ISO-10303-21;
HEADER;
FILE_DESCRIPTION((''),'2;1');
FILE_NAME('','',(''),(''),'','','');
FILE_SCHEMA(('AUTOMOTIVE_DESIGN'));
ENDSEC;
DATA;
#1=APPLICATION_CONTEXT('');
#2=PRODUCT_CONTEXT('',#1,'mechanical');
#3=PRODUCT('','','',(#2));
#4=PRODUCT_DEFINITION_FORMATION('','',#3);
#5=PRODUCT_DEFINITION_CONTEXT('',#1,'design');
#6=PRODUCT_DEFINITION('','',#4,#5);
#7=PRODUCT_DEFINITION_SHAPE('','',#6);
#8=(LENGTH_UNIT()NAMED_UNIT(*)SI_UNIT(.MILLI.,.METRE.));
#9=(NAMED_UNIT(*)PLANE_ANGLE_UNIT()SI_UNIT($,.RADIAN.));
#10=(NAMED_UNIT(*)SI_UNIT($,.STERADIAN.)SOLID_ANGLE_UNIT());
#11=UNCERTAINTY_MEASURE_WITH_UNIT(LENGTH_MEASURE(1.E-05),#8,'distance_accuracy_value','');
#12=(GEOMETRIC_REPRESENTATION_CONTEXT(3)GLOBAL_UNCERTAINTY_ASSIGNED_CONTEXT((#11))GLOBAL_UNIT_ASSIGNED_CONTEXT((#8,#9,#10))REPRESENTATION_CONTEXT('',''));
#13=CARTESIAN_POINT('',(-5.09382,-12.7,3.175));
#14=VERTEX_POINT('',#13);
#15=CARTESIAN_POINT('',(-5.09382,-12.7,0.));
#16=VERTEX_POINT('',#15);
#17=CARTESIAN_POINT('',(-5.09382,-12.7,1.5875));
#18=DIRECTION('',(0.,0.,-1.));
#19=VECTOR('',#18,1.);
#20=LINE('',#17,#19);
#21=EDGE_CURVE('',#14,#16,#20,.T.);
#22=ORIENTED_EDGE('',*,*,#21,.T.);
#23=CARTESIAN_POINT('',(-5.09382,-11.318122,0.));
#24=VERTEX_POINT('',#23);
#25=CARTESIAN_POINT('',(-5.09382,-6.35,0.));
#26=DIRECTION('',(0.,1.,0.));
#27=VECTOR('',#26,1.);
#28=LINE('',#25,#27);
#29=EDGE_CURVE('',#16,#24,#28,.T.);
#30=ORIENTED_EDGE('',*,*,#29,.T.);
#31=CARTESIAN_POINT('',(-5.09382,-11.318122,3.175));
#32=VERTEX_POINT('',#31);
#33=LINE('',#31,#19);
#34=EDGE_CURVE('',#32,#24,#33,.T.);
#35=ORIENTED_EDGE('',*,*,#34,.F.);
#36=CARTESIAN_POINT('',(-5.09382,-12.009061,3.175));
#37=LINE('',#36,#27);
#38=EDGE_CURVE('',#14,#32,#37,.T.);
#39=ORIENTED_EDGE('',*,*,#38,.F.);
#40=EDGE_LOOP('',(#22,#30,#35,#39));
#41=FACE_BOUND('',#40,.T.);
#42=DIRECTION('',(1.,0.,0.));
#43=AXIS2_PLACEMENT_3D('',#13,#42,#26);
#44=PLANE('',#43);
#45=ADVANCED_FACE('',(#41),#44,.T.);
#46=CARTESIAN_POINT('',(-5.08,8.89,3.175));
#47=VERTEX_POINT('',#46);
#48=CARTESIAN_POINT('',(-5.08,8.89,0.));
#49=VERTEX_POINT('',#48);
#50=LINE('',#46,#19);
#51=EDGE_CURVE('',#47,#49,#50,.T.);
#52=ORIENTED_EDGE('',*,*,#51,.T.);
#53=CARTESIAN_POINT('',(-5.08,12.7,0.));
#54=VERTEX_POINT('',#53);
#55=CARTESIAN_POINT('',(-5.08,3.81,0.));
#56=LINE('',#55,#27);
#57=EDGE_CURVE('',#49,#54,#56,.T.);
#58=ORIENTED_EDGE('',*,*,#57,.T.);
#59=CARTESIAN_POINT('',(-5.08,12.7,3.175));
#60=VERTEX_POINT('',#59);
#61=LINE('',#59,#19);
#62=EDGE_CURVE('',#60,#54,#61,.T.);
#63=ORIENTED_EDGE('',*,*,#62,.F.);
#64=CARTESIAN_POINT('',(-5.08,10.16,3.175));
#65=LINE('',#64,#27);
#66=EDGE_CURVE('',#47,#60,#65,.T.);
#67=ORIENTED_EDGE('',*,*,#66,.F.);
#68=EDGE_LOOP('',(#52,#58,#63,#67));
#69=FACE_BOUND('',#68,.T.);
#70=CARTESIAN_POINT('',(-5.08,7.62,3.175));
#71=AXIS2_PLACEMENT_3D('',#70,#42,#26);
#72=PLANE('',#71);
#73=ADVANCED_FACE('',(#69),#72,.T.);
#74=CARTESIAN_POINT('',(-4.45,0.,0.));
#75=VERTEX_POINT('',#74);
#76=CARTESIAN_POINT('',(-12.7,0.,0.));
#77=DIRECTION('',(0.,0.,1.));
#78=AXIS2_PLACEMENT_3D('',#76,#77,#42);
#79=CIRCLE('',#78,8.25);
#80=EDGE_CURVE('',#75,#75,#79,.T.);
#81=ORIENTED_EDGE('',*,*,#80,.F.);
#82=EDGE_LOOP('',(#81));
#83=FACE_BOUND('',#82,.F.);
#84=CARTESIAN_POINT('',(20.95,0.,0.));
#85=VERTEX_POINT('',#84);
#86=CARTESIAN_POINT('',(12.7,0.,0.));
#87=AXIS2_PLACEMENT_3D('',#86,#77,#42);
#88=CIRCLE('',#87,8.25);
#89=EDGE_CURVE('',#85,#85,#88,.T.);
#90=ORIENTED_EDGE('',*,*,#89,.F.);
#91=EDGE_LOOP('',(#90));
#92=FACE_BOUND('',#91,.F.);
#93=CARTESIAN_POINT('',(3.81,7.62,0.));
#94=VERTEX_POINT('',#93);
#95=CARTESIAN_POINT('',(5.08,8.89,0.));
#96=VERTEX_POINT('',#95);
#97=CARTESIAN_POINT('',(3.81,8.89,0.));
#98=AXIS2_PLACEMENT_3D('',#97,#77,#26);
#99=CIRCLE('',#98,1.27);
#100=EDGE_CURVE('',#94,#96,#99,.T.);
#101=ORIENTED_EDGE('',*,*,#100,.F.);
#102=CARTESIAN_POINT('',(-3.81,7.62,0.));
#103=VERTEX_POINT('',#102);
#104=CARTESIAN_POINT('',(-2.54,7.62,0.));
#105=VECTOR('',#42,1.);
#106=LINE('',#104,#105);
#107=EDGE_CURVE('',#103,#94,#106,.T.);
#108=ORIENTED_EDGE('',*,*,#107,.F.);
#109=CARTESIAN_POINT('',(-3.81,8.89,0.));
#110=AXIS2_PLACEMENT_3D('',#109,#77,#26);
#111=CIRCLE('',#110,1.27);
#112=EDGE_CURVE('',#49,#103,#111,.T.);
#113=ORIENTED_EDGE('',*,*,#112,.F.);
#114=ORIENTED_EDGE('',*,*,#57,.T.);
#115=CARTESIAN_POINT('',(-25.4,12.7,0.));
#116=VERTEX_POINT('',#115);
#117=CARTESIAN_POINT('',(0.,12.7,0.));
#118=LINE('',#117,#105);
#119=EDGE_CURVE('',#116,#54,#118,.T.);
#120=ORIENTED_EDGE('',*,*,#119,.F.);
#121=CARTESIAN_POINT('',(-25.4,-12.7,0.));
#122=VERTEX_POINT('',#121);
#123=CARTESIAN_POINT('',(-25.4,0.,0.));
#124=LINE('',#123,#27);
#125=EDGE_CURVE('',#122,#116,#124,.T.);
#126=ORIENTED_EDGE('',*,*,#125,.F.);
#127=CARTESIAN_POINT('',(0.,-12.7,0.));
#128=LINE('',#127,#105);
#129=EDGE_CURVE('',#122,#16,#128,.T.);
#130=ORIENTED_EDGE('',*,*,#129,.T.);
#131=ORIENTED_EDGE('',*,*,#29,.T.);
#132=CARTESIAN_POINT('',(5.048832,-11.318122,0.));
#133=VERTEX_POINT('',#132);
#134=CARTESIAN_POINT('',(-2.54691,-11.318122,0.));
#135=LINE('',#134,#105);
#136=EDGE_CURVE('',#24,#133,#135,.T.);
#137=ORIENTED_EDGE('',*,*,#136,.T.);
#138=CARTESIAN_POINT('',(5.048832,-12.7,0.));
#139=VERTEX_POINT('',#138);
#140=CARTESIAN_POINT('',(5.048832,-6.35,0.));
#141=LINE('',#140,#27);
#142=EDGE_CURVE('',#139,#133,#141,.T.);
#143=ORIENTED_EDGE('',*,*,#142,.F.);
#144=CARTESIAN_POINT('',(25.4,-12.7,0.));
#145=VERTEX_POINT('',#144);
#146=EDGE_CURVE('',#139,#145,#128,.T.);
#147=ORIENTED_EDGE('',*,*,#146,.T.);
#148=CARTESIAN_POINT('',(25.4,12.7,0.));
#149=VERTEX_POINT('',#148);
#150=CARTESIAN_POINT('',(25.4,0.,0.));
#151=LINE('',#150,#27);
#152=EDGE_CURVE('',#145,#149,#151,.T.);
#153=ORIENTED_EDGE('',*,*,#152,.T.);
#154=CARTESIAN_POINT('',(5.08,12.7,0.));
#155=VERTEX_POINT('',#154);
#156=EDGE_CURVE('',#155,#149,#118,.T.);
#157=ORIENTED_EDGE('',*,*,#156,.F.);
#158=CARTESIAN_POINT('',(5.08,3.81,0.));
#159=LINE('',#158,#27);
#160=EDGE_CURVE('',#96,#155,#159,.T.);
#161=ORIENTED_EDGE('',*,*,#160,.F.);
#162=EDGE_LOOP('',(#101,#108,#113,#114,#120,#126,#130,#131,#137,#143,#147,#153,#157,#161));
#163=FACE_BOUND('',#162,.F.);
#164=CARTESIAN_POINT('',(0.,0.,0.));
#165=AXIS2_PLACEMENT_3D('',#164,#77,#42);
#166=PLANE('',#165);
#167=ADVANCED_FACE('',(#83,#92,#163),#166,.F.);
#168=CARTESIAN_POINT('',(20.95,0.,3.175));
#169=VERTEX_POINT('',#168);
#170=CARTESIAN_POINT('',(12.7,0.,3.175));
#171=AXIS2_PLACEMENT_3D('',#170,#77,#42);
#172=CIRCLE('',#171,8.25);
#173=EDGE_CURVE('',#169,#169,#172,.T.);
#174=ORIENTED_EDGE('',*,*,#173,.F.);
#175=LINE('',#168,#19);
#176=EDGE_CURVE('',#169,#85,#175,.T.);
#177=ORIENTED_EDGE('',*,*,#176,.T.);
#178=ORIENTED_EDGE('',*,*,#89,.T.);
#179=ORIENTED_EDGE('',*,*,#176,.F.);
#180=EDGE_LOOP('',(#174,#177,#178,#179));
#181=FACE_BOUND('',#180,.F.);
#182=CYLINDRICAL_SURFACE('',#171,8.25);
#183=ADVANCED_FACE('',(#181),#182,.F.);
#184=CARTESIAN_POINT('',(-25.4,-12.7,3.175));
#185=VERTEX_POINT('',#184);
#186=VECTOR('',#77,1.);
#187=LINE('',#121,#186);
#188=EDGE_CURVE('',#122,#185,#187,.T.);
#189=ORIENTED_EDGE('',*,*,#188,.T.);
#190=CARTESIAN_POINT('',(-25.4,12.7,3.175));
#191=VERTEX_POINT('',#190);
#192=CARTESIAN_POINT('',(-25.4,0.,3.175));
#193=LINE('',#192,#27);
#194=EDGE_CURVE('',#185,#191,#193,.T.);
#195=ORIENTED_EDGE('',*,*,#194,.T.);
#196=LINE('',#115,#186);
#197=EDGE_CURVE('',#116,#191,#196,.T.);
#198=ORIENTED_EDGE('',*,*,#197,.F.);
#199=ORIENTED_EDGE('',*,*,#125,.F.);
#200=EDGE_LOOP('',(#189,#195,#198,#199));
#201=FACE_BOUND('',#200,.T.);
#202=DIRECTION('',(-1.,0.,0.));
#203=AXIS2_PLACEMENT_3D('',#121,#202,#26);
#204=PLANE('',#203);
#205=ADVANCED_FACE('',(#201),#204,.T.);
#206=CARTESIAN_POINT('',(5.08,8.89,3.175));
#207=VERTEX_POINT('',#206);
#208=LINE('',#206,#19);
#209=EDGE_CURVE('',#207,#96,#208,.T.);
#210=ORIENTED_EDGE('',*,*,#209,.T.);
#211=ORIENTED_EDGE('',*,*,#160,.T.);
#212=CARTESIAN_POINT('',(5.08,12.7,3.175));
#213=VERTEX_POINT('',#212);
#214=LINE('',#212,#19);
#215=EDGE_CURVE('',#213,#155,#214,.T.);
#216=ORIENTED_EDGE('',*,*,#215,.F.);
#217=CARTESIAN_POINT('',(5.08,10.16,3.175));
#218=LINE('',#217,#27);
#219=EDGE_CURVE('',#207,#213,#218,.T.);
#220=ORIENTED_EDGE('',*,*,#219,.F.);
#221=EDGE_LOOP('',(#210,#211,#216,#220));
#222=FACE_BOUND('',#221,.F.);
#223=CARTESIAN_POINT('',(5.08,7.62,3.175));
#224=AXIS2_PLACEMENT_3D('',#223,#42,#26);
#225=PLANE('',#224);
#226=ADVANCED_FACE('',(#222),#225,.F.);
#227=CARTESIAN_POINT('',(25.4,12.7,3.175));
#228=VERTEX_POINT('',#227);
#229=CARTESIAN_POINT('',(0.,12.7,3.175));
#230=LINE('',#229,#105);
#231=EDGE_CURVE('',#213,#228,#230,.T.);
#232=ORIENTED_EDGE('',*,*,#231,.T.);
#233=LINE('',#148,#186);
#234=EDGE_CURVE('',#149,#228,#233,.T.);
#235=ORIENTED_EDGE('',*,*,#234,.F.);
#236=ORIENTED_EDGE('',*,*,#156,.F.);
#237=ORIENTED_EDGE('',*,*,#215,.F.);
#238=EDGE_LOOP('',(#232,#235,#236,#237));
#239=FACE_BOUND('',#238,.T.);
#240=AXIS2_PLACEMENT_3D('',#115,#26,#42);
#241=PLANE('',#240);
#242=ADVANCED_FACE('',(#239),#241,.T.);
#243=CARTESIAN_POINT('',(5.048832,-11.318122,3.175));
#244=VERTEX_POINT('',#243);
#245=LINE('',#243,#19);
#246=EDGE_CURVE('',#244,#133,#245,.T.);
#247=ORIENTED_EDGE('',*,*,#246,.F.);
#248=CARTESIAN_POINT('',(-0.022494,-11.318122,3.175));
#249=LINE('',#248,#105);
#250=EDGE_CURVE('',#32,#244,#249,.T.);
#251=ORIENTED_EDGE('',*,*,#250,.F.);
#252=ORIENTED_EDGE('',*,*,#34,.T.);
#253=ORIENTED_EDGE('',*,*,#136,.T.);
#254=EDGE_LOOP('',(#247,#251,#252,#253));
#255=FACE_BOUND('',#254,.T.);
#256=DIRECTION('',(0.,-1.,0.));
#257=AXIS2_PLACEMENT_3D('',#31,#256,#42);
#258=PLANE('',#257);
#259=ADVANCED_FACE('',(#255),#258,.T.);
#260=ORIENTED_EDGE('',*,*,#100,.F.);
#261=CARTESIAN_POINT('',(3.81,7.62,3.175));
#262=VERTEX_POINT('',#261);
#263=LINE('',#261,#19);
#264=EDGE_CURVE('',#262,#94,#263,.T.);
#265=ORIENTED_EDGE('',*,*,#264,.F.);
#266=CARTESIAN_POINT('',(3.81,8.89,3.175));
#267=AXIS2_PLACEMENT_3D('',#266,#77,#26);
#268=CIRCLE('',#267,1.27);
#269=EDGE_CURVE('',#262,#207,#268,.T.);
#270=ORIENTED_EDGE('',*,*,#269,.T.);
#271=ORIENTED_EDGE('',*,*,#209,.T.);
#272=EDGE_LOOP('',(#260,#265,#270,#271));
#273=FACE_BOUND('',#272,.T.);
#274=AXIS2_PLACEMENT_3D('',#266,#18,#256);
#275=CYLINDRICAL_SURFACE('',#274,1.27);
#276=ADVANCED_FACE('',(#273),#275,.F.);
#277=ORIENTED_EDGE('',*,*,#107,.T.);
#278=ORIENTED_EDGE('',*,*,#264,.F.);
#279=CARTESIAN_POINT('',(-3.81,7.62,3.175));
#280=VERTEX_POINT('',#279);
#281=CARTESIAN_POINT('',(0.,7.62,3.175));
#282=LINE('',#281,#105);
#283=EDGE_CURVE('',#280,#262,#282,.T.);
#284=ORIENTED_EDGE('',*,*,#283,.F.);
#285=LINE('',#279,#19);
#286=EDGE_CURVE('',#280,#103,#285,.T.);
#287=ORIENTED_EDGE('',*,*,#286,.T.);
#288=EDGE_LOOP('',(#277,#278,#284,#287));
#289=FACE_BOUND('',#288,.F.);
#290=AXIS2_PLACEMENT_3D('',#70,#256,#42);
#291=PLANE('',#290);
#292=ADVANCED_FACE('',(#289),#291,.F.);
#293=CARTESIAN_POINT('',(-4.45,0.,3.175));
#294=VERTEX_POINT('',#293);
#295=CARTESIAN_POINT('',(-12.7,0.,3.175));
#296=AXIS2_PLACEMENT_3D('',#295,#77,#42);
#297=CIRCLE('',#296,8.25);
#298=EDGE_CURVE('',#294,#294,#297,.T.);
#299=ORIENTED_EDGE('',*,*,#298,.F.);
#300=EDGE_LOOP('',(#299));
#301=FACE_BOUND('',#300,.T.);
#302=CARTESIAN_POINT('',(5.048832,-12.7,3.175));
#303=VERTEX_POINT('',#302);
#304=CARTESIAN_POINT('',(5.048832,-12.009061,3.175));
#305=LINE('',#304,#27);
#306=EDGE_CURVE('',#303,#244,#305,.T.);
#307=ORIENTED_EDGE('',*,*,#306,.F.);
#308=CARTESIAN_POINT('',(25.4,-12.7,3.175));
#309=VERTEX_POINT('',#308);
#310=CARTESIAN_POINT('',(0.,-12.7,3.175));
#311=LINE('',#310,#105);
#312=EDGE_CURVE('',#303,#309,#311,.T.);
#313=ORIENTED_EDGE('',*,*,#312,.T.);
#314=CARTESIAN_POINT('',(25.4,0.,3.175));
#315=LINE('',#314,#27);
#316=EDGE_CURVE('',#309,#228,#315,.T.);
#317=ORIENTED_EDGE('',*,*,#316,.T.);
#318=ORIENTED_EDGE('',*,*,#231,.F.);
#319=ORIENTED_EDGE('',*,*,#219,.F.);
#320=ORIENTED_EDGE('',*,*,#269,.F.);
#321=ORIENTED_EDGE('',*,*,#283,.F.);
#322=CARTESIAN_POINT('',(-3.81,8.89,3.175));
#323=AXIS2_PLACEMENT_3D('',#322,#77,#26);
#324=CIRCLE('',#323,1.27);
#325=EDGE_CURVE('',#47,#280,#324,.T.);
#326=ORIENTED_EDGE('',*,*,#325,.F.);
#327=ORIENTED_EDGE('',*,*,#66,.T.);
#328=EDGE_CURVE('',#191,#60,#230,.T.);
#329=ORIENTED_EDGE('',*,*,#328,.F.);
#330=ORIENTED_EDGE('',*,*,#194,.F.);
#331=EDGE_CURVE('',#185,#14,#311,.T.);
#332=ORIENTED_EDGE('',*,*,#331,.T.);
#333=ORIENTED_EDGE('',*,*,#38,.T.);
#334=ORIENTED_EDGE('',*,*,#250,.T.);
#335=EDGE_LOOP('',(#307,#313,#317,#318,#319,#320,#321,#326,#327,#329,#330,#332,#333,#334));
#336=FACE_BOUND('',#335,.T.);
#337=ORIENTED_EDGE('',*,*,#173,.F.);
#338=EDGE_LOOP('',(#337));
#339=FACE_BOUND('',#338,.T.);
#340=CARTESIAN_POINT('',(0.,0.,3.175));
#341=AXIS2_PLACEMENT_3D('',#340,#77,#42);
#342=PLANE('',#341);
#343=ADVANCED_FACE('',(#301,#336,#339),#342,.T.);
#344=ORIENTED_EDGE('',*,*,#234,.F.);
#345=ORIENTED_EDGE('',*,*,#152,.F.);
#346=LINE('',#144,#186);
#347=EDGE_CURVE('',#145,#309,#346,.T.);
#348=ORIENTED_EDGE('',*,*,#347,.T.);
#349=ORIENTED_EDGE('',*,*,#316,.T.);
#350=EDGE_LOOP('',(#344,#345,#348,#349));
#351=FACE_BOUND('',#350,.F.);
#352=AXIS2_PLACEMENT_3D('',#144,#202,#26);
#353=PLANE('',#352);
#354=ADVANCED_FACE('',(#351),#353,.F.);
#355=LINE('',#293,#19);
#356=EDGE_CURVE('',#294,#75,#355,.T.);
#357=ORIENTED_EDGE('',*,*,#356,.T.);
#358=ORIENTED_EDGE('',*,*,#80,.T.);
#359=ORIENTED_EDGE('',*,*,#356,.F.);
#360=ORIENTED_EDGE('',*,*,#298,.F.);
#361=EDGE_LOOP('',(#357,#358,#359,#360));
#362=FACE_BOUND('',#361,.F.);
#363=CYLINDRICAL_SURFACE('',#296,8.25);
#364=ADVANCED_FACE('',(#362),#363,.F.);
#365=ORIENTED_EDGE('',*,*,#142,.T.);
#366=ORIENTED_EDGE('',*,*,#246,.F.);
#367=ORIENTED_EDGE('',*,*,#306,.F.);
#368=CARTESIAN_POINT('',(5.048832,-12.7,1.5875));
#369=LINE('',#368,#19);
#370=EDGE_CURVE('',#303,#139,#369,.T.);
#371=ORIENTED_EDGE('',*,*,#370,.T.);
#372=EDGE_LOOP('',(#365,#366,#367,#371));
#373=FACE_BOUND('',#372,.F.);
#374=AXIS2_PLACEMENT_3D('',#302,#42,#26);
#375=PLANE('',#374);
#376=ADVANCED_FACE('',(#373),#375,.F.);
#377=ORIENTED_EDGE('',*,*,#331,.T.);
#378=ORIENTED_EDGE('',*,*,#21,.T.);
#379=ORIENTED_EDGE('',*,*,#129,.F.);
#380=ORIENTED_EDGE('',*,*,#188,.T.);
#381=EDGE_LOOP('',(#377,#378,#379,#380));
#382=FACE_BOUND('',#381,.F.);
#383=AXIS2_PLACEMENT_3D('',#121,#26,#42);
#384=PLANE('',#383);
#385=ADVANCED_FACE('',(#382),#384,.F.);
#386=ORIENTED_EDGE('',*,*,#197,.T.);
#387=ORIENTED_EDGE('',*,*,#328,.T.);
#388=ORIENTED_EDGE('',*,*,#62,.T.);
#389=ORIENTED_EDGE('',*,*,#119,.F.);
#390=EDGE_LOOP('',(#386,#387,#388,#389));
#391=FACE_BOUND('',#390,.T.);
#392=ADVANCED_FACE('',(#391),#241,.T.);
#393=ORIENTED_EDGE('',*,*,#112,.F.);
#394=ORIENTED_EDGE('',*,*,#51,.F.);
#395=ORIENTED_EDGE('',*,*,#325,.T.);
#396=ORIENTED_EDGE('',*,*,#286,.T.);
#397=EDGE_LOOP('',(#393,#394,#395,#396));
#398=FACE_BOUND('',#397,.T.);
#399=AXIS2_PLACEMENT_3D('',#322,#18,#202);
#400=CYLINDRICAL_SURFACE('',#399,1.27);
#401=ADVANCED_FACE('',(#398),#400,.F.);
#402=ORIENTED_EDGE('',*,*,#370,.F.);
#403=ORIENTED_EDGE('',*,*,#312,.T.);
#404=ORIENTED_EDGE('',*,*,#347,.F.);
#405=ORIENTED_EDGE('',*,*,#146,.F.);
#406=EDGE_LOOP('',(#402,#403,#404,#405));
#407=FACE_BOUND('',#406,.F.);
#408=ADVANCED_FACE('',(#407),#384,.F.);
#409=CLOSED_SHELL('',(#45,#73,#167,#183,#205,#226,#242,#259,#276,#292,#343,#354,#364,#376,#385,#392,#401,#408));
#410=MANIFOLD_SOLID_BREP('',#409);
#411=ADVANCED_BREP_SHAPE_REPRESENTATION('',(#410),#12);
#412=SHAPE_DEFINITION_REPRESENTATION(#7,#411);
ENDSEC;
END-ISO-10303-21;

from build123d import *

# Parameters (mm, degrees)
F0_W     = 50.8
F0_H     = 25.4
F1_DEPTH = 3.175
F2_R     = 8.25
F3_DEPTH = 25.4
F4_W     = 10.16
F4_H     = 5.08
F4_W_2   = 10.142652
F4_H_2   = 1.381879
F5_DEPTH = 25.4
F6_R     = 1.27


with BuildPart() as f1:
    # F0 (on Top) → F1 (new body)
    with BuildSketch(Plane.XY):
        Rectangle(F0_W, F0_H)
    extrude(amount=F1_DEPTH)

    # F2 (on face) → F3 (cut)
    with BuildSketch(Plane.XY.offset(3.175)):
        with Locations((-12.7, 0)):
            Circle(F2_R)
        with Locations((12.7, 0)):
            Circle(F2_R)
    extrude(amount=-F3_DEPTH, mode=Mode.SUBTRACT)

    # F4 (on face) → F5 (cut)
    with BuildSketch(Plane.XY.offset(3.175)):
        with Locations((0, 10.16)):
            Rectangle(F4_W, F4_H)
        with Locations((-0.022494, -12.009061)):
            Rectangle(F4_W_2, F4_H_2)
    extrude(amount=-F5_DEPTH, mode=Mode.SUBTRACT)

    # F6
    f6_edges = [f1.edges().sort_by_distance(p)[0] for p in [
        (-5.08, 7.62, 1.5875),
        (5.08, 7.62, 1.5875),
    ]]
    fillet(f6_edges, radius=F6_R)


solid = f1.part
